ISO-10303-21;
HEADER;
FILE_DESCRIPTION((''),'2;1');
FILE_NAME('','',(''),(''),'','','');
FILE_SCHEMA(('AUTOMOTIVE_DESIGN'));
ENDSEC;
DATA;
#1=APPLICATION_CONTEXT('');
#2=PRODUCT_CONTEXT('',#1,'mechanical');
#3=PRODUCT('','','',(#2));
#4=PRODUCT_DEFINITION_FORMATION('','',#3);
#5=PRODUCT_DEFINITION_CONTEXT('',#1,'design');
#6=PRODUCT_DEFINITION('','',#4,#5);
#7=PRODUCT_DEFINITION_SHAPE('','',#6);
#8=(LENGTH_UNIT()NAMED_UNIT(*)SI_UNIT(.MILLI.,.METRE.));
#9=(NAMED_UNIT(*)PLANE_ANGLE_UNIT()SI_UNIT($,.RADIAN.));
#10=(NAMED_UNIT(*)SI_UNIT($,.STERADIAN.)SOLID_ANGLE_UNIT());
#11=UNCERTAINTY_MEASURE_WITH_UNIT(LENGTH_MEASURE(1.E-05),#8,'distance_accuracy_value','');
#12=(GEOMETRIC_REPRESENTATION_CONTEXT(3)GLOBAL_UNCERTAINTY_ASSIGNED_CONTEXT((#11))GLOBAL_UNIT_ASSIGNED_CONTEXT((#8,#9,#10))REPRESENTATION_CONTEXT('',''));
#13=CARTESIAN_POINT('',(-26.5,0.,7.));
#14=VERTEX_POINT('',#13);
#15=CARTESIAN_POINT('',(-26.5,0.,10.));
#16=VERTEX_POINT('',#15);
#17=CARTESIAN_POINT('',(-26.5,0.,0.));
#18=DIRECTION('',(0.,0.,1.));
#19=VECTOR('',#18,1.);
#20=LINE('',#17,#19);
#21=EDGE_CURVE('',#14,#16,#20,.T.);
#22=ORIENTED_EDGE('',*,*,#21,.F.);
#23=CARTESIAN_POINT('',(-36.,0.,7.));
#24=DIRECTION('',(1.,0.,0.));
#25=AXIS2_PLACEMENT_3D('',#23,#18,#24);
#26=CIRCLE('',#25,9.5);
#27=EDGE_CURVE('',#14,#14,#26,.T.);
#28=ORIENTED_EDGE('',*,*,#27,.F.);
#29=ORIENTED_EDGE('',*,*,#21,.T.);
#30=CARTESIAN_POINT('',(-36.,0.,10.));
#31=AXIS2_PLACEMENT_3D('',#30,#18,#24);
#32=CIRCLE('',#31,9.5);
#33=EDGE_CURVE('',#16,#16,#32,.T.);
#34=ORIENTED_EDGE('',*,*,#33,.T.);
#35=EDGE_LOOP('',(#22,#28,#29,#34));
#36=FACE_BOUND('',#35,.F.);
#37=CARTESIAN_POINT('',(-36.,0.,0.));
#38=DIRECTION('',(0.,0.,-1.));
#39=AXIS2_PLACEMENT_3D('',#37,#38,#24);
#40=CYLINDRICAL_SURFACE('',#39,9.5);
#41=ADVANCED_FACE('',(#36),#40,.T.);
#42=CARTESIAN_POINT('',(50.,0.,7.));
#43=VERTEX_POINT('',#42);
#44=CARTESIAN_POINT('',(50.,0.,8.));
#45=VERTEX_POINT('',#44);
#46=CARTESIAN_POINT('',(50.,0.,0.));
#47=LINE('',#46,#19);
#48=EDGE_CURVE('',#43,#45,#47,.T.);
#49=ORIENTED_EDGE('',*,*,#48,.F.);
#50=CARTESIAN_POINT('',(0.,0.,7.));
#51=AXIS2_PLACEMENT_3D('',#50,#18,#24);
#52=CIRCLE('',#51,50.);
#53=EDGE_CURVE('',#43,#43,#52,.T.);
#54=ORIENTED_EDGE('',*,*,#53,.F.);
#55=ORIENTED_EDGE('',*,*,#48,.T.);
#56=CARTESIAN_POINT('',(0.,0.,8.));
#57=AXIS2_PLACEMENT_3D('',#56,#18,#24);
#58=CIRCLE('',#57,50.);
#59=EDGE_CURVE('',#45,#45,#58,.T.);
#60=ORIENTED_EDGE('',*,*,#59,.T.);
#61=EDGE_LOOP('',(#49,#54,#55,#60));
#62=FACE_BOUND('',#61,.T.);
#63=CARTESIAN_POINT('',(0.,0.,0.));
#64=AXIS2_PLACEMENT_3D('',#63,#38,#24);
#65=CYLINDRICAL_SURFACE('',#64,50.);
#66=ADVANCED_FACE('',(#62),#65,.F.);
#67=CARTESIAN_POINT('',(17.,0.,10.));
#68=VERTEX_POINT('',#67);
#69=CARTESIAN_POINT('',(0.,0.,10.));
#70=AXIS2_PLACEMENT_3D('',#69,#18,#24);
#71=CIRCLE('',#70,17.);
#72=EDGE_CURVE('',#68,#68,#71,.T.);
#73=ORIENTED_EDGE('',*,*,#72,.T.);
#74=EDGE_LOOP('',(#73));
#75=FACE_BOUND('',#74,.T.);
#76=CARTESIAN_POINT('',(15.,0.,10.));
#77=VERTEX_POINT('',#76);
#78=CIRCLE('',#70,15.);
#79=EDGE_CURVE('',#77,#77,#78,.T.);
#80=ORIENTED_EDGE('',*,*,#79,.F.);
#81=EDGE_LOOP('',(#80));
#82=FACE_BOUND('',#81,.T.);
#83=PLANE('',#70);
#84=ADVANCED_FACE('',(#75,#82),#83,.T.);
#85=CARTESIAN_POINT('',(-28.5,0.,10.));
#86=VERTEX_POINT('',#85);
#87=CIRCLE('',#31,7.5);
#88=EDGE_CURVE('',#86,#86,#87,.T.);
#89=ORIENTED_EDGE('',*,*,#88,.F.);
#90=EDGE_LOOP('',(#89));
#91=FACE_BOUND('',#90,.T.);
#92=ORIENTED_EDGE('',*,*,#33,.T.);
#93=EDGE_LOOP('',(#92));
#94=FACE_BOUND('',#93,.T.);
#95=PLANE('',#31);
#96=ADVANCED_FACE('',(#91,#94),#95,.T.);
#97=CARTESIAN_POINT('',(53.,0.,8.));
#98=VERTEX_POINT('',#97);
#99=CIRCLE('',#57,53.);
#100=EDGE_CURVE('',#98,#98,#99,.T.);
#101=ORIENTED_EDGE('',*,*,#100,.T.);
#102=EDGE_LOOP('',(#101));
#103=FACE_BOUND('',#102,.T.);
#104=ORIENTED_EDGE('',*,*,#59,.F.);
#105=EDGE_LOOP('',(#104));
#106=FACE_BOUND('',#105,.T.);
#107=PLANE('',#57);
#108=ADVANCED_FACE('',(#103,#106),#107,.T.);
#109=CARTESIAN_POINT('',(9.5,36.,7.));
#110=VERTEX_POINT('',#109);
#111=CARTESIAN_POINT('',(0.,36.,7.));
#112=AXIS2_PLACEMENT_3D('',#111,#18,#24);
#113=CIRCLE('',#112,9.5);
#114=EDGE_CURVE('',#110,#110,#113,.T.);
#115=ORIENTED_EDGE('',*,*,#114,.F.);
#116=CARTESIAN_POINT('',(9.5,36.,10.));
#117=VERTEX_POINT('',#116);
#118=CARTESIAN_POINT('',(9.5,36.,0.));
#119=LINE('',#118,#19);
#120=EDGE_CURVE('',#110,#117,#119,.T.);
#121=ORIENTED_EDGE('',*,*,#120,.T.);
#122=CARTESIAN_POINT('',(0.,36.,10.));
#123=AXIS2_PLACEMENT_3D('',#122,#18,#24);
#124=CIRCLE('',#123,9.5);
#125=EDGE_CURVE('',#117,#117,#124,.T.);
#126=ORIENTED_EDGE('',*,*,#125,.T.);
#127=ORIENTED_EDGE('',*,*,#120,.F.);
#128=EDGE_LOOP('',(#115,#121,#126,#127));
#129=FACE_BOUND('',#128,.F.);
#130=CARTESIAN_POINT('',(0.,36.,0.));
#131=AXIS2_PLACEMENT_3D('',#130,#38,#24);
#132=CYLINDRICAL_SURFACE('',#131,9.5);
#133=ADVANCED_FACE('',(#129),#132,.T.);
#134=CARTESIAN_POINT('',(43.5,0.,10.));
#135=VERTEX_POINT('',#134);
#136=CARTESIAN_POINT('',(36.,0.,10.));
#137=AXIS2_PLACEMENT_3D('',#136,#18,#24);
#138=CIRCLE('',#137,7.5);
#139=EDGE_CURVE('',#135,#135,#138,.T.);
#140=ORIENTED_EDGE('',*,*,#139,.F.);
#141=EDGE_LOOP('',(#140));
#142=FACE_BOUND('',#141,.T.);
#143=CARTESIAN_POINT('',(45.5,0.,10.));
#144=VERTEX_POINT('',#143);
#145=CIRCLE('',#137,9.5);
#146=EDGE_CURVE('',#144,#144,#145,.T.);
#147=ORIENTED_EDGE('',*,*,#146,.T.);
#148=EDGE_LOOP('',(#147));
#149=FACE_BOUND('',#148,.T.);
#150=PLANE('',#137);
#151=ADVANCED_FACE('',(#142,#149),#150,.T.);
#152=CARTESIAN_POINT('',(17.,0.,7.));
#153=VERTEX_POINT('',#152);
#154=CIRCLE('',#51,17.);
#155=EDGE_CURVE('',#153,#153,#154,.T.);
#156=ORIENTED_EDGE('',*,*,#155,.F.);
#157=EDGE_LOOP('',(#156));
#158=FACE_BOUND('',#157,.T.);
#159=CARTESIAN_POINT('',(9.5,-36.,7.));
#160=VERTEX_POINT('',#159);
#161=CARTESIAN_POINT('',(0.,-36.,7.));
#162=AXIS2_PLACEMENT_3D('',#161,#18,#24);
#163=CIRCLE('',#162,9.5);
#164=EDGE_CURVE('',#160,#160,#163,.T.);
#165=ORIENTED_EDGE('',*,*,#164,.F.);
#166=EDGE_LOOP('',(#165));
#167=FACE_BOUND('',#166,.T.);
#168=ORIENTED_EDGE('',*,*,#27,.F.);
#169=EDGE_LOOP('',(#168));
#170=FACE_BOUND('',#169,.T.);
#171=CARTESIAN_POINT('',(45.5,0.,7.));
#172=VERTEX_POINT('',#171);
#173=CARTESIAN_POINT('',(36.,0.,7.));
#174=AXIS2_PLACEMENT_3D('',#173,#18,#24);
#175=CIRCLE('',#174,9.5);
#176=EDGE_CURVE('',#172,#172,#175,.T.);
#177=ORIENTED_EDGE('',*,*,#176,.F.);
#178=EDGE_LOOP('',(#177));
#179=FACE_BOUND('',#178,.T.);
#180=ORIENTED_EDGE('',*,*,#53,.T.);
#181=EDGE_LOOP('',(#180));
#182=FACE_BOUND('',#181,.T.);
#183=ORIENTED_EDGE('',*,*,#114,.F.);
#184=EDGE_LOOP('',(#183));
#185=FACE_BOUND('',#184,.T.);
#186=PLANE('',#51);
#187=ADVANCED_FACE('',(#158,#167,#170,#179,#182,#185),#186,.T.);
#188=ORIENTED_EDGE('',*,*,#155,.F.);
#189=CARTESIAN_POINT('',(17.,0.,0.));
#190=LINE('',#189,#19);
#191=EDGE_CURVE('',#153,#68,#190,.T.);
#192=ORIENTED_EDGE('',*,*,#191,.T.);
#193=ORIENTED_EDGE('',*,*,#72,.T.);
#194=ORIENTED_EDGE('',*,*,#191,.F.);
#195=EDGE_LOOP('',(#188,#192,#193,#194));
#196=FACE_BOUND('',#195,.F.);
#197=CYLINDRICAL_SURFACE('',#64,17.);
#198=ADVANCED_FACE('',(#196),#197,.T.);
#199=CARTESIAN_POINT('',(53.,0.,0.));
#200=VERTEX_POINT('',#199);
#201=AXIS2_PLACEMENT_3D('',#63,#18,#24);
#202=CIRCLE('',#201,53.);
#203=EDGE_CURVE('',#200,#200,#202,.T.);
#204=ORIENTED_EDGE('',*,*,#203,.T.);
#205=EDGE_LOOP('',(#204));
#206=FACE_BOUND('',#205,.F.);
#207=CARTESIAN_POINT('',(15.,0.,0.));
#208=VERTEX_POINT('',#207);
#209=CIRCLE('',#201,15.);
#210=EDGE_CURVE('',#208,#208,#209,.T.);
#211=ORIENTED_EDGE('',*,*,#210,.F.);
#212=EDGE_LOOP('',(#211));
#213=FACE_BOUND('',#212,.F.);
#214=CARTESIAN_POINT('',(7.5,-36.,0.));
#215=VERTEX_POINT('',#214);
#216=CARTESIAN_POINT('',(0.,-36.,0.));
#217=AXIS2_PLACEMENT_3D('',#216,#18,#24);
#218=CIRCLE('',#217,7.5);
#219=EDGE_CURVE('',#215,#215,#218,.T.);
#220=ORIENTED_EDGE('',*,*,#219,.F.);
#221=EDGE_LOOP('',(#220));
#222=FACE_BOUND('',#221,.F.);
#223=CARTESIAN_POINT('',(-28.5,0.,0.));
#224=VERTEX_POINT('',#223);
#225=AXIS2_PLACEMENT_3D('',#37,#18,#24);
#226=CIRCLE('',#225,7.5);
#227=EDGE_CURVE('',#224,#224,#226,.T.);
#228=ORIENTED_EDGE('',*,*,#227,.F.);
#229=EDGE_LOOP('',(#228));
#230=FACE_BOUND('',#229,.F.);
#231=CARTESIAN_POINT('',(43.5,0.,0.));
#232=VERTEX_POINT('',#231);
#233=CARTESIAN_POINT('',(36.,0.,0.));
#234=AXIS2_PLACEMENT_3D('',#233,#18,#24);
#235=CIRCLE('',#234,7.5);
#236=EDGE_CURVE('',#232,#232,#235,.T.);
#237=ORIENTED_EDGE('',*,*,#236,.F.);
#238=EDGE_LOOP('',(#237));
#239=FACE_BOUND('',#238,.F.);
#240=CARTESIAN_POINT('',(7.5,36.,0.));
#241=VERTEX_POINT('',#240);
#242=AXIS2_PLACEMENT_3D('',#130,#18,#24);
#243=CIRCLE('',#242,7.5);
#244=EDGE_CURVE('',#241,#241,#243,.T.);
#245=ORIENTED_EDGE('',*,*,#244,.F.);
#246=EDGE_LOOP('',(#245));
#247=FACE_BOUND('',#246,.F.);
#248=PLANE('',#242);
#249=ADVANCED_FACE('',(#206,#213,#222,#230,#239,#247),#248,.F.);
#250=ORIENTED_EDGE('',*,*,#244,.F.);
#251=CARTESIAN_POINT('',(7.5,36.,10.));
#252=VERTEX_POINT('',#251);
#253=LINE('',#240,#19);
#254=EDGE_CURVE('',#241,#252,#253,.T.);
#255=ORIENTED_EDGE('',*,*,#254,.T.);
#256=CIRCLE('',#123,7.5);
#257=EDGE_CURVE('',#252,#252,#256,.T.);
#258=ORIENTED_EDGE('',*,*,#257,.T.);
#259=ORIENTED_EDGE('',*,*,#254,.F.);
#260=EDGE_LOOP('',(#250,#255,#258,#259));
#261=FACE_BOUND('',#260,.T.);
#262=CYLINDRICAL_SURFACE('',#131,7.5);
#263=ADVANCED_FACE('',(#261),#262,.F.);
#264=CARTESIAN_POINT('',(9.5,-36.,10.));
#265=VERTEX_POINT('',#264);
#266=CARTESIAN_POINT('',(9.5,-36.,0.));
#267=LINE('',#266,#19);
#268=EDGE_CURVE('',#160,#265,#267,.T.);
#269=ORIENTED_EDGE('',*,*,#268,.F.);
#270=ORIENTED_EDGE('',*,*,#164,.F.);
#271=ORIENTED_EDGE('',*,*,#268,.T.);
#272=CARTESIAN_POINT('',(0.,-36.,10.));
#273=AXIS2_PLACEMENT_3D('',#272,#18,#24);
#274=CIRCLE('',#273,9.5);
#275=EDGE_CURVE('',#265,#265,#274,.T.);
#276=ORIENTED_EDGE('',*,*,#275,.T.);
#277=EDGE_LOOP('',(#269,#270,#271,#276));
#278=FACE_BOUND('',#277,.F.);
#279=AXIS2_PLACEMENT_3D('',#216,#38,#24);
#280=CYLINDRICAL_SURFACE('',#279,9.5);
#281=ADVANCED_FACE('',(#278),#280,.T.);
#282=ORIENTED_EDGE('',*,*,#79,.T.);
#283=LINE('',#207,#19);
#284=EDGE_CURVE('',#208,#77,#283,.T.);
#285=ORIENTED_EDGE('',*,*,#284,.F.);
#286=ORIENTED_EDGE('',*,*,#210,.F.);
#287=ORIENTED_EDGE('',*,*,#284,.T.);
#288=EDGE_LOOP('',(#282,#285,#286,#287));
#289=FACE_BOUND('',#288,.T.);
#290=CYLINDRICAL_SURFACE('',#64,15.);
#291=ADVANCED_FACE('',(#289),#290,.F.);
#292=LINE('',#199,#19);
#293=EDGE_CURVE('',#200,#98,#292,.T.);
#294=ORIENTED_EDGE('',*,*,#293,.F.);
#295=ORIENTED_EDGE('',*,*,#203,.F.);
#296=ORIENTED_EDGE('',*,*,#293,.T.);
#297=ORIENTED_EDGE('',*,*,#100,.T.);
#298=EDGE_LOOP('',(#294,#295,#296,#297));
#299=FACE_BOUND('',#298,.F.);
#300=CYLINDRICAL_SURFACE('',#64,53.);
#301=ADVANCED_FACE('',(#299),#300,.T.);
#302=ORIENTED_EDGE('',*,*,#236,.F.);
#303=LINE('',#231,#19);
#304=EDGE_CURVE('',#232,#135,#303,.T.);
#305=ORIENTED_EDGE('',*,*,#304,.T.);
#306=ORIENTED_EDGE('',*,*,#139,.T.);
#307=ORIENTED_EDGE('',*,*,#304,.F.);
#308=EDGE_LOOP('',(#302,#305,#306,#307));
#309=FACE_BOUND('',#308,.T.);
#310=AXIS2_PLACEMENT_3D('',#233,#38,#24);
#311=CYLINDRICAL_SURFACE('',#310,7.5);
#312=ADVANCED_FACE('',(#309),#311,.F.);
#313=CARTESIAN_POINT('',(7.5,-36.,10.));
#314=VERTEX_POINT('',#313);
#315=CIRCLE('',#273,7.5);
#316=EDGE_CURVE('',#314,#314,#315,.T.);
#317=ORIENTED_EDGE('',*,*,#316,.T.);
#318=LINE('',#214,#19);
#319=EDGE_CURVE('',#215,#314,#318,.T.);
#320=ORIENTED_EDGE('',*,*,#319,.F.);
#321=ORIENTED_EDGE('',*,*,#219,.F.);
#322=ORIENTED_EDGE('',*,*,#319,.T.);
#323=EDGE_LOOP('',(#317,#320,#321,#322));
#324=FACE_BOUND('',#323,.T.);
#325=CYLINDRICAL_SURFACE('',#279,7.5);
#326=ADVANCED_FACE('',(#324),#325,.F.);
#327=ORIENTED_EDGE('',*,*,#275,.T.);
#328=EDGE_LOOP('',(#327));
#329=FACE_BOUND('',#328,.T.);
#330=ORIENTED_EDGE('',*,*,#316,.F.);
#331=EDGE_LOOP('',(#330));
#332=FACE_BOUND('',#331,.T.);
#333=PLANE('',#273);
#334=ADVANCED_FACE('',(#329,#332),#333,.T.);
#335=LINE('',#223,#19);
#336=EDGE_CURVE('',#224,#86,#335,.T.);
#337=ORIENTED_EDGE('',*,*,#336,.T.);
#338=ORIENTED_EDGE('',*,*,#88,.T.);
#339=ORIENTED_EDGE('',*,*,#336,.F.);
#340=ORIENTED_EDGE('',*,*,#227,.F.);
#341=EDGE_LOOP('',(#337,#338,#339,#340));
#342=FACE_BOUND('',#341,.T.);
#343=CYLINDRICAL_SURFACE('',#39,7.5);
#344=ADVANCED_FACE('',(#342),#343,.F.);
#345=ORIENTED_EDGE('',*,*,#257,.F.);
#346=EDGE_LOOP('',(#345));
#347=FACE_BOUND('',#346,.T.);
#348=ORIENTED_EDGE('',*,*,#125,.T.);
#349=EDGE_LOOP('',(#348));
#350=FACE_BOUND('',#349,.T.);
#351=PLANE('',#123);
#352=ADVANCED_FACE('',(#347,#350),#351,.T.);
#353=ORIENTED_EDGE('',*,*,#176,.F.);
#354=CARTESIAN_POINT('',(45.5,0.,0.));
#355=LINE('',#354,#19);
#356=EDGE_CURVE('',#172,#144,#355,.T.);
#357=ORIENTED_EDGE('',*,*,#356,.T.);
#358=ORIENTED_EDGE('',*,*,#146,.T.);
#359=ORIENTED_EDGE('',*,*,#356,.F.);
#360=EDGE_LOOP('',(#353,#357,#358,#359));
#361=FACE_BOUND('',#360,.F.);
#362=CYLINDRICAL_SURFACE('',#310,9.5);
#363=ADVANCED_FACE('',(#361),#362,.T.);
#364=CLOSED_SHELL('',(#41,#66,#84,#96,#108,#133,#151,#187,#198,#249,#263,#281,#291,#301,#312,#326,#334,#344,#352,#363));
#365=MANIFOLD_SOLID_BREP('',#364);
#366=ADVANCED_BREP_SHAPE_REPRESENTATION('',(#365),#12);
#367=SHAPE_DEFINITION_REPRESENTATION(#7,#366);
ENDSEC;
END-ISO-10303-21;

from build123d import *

# Parameters (mm, degrees)
F0_R     = 50
F0_R_2   = 9.5
F0_R_3   = 17
F1_DEPTH = 7
F0_R_4   = 53
F2_DEPTH = 8
F0_R_5   = 7.5
F0_R_6   = 15
F3_DEPTH = 10


with BuildPart() as f1:
    # F0 (on Top) → F1 (new body)
    with BuildSketch(Plane.XY):
        Circle(F0_R)
        with Locations((0, -36)):
            Circle(F0_R_2, mode=Mode.SUBTRACT)
        with Locations((-36, 0)):
            Circle(F0_R_2, mode=Mode.SUBTRACT)
        Circle(F0_R_3, mode=Mode.SUBTRACT)
        with Locations((36, 0)):
            Circle(F0_R_2, mode=Mode.SUBTRACT)
        with Locations((0, 36)):
            Circle(F0_R_2, mode=Mode.SUBTRACT)
    extrude(amount=F1_DEPTH)

    # F0 (on Top) → F2 (join)
    with BuildSketch(Plane.XY):
        Circle(F0_R_4)
        Circle(F0_R, mode=Mode.SUBTRACT)
    extrude(amount=F2_DEPTH)

    # F0 (on Top) → F3 (join)
    with BuildSketch(Plane.XY):
        with Locations((0, 36)):
            Circle(F0_R_2)
        with Locations((0, 36)):
            Circle(F0_R_5, mode=Mode.SUBTRACT)
        with Locations((-36, 0)):
            Circle(F0_R_2)
        with Locations((-36, 0)):
            Circle(F0_R_5, mode=Mode.SUBTRACT)
        with Locations((36, 0)):
            Circle(F0_R_2)
        with Locations((36, 0)):
            Circle(F0_R_5, mode=Mode.SUBTRACT)
        with Locations((0, -36)):
            Circle(F0_R_2)
        with Locations((0, -36)):
            Circle(F0_R_5, mode=Mode.SUBTRACT)
        Circle(F0_R_3)
        Circle(F0_R_6, mode=Mode.SUBTRACT)
    extrude(amount=F3_DEPTH)


solid = f1.part
